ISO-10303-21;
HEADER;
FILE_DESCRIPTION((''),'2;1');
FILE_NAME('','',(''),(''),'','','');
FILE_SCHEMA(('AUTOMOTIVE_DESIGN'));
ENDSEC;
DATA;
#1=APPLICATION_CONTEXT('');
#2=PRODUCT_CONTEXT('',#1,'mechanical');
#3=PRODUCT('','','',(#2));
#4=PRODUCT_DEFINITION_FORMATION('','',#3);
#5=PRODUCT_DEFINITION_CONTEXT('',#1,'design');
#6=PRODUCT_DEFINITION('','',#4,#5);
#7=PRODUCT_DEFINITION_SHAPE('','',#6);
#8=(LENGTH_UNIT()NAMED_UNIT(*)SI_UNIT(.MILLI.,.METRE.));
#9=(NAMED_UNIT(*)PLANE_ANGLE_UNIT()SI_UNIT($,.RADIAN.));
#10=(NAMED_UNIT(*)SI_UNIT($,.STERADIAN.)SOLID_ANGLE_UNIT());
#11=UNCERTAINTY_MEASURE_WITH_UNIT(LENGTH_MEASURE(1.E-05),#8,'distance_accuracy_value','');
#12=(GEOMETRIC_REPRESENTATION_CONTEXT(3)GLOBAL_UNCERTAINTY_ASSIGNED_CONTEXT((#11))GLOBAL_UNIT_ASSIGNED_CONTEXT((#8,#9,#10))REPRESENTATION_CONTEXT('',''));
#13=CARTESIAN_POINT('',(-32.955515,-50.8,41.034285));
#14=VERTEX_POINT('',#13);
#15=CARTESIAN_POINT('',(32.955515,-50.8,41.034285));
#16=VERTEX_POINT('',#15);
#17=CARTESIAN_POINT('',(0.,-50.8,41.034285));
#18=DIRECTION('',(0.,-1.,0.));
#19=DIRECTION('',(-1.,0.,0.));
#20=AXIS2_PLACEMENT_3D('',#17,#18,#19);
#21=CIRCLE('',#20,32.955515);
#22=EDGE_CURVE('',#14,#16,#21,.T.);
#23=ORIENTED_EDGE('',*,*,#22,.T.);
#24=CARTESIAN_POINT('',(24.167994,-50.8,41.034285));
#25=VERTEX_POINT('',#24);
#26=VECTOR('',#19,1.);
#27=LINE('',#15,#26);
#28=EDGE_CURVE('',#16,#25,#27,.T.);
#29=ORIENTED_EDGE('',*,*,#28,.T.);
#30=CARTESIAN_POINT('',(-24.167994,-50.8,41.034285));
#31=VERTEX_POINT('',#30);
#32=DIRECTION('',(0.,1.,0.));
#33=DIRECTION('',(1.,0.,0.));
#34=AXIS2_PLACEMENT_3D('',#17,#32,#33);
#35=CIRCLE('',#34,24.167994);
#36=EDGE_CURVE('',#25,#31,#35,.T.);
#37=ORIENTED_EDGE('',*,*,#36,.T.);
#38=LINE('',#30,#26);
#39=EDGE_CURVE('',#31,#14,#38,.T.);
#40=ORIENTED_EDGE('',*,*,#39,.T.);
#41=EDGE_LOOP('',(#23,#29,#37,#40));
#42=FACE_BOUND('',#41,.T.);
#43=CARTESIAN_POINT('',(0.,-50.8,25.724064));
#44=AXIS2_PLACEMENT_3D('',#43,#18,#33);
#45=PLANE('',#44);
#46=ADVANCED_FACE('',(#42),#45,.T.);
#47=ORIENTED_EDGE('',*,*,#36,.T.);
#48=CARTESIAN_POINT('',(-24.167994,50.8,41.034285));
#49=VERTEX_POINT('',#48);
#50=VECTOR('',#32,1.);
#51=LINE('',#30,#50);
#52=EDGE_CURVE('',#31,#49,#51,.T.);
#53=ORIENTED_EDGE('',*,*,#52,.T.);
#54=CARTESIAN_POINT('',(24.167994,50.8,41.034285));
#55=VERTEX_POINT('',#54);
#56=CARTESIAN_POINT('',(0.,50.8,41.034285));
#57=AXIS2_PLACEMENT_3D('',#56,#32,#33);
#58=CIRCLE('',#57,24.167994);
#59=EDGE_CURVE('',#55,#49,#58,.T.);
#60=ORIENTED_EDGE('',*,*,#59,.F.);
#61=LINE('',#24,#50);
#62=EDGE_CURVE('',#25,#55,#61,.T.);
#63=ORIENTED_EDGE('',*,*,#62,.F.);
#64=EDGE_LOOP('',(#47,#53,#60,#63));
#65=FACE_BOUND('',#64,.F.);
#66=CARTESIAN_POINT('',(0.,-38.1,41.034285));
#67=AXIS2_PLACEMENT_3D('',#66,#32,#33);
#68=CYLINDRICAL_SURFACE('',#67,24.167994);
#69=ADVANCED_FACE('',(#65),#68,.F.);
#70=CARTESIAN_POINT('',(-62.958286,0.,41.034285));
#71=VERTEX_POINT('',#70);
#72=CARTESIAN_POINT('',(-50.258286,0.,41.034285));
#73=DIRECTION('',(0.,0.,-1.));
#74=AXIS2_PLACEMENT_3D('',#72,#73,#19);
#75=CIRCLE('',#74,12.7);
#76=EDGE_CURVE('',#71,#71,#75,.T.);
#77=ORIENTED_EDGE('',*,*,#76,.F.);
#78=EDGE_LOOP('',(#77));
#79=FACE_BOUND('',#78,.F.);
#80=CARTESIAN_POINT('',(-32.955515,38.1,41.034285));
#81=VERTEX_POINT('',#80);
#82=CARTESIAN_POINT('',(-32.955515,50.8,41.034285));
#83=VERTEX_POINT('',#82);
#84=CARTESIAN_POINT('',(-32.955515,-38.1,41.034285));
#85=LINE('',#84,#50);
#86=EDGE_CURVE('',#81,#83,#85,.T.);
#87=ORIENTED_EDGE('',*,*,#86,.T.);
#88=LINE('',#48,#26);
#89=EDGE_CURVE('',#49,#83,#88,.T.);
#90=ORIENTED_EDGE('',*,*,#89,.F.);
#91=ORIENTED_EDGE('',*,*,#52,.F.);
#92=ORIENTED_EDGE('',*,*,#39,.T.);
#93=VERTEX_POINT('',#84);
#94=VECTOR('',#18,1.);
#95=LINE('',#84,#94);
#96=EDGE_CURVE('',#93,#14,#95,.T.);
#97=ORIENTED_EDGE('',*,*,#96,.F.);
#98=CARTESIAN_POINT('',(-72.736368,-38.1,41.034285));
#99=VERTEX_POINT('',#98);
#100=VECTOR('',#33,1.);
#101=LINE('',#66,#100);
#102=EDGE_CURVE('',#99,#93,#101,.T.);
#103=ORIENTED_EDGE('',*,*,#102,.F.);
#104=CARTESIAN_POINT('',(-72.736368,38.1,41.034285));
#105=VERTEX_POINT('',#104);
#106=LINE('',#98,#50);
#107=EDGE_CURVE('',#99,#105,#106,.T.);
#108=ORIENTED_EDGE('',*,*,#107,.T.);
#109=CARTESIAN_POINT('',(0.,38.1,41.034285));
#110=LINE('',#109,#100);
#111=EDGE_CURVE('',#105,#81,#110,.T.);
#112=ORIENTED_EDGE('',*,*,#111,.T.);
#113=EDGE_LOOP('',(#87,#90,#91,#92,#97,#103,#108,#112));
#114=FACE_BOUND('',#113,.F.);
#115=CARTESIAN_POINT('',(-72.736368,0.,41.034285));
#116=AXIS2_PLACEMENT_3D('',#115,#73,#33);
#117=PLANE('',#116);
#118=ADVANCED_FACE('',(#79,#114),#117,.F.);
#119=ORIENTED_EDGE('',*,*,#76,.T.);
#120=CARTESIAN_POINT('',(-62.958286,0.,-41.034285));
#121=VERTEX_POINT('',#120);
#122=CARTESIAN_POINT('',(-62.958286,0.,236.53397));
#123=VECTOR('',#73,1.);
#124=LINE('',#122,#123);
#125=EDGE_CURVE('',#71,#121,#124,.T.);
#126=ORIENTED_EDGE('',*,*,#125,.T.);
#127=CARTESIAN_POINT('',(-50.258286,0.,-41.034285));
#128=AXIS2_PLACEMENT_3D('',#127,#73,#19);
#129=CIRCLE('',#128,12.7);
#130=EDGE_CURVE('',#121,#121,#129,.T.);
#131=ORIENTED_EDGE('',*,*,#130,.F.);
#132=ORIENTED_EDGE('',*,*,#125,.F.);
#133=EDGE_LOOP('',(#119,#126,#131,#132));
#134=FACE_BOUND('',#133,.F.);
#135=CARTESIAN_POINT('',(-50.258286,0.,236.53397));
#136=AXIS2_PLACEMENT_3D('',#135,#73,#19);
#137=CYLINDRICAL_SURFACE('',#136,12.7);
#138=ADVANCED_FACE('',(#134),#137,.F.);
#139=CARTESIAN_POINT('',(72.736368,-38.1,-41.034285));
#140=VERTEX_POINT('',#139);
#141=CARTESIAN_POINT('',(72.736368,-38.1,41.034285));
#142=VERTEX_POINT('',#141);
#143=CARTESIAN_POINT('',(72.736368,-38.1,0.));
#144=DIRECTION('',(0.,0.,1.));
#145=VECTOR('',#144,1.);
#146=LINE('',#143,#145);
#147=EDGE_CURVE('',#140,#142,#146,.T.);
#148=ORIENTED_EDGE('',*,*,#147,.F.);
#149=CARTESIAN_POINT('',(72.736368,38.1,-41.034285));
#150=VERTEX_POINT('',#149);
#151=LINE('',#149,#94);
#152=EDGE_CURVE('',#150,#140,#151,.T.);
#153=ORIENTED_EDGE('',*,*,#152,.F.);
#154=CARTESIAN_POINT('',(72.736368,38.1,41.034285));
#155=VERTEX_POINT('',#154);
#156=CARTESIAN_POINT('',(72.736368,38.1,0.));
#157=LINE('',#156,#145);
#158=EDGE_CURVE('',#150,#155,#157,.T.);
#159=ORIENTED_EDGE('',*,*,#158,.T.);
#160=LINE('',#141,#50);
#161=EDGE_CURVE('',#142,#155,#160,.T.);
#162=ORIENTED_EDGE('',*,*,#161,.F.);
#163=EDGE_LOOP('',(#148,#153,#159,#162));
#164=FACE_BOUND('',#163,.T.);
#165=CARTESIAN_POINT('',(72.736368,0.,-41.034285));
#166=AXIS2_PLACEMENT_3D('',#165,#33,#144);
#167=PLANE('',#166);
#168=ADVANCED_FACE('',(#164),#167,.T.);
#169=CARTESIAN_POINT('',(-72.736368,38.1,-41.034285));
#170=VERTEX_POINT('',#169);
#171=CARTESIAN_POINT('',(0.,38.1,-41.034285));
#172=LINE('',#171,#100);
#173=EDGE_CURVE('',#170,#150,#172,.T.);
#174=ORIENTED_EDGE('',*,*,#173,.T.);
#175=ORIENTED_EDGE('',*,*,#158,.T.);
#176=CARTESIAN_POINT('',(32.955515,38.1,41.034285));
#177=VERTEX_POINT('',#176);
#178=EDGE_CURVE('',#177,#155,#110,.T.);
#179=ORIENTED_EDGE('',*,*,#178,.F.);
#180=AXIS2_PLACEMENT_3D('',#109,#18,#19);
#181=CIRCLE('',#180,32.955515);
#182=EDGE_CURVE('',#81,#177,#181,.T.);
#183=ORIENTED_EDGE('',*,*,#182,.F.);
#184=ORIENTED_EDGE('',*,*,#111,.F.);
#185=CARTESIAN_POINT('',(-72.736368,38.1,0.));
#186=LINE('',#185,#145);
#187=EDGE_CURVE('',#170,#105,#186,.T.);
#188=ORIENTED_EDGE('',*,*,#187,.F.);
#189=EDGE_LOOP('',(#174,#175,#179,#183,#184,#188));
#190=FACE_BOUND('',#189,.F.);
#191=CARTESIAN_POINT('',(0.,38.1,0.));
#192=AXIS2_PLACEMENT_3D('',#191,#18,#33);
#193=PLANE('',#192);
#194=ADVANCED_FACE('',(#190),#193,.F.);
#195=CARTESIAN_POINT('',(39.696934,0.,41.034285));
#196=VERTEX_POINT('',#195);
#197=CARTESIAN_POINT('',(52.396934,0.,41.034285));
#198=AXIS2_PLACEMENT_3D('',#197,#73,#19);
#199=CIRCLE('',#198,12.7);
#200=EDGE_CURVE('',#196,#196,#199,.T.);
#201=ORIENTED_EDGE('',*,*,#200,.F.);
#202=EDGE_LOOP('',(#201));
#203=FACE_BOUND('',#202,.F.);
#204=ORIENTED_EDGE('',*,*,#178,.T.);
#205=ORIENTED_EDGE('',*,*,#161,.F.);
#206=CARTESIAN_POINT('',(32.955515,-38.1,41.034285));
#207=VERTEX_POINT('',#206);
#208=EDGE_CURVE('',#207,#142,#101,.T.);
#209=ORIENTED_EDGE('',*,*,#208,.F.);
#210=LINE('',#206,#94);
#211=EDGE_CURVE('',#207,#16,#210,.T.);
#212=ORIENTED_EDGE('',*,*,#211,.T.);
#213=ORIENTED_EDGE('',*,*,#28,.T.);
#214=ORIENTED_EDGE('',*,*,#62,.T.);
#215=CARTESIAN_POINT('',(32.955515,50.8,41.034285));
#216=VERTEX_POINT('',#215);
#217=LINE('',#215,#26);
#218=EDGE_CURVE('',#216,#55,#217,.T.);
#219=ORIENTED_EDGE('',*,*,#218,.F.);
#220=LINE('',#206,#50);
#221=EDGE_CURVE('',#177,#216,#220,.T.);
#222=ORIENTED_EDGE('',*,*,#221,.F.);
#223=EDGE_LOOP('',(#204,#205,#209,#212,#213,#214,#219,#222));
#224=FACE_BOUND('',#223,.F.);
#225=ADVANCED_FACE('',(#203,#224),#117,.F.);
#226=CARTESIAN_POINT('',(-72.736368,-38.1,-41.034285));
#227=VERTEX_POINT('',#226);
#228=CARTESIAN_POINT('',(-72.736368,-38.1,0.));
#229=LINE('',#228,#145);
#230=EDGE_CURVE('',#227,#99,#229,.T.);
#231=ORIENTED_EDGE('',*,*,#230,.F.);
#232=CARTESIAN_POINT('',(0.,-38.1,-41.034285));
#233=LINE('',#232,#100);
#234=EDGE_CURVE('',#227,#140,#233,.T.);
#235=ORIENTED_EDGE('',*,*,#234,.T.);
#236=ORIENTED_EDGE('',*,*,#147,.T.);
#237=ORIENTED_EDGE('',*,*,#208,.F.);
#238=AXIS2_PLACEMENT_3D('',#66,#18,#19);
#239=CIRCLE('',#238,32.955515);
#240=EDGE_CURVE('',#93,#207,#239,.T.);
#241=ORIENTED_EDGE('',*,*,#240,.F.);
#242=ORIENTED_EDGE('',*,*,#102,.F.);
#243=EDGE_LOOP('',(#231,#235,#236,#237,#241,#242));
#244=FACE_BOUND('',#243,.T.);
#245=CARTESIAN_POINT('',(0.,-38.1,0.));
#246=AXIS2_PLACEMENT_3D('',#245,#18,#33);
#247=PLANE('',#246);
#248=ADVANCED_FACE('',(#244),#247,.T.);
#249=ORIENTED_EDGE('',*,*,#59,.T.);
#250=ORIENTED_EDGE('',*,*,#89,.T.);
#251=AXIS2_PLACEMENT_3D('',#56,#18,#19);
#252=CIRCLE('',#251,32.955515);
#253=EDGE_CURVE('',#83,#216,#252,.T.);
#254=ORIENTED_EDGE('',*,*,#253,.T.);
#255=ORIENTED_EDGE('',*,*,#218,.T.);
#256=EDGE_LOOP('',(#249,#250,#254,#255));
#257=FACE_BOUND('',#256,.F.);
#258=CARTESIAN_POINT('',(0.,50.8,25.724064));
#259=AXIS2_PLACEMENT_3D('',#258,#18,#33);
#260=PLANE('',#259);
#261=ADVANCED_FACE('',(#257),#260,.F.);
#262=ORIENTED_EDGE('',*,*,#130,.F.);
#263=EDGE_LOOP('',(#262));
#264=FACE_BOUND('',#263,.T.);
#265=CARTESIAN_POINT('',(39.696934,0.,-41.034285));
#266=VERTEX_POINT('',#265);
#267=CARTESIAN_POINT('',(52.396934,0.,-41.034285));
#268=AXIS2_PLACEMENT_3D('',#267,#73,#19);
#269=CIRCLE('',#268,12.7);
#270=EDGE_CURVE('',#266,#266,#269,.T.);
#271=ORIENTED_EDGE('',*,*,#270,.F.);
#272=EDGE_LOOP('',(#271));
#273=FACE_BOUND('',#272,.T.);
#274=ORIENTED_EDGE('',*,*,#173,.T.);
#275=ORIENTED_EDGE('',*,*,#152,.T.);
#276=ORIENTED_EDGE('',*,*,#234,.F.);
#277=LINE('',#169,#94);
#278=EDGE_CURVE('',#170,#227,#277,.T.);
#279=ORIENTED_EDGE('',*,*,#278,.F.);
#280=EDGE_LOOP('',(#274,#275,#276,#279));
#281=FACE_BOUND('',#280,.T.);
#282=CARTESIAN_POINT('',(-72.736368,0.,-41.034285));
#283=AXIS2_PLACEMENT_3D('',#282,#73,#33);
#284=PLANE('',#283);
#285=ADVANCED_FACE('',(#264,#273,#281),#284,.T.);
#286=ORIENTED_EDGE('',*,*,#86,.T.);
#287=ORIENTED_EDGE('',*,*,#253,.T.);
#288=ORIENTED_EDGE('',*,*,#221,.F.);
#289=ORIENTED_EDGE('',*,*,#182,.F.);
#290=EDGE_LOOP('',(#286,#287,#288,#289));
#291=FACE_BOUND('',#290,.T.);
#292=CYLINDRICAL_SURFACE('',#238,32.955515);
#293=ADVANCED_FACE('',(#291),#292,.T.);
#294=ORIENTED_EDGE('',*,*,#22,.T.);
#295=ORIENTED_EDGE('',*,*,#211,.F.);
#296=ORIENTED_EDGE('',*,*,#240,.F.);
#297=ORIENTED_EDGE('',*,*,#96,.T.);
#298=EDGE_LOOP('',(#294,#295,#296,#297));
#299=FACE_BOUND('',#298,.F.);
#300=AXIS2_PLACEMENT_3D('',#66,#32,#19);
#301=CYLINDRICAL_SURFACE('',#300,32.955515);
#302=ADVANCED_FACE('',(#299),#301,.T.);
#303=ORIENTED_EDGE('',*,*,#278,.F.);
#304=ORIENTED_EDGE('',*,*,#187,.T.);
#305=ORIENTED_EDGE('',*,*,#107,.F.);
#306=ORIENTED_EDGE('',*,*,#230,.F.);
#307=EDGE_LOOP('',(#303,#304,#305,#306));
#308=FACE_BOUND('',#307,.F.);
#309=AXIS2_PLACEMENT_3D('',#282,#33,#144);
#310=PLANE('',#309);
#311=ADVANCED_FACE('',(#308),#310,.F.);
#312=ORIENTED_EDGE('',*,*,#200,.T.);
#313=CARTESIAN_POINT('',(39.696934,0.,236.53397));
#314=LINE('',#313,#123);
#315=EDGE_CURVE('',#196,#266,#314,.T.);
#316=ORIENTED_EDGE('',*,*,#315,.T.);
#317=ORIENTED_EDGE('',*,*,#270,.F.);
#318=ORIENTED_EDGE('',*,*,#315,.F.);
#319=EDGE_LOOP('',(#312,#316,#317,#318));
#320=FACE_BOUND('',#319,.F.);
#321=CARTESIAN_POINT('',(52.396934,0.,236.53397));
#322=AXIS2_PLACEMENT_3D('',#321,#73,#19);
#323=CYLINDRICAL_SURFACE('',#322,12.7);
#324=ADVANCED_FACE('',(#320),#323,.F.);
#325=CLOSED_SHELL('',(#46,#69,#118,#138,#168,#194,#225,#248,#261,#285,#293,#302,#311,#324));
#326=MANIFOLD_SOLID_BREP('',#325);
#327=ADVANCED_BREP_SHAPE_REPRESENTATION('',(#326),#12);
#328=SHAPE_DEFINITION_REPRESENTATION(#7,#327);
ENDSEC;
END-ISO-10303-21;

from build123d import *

# Parameters (mm, degrees)
F0_W          = 145.4727351665
F0_H          = 82.0685699582
F1_DEPTH      = 38.1
F3_DEPTH      = 12.7
F3_DEPTH_BACK = 88.9
F4_DEPTH      = 88.901
F6_D          = 25.4


with BuildPart() as f1:
    # F0 (on Front) → F1 (new body, symmetric)
    with BuildSketch(Plane.XZ):
        Rectangle(F0_W, F0_H)
    extrude(amount=F1_DEPTH, both=True)

    # F2 (on face) → F3 (join, two sides)
    with BuildSketch(Plane.XZ.offset(38.1)) as f3_sk:
        with BuildLine():
            Line((-24.1679944094, 41.0342849791), (-32.9555145721, 41.0342849791))
            ThreePointArc((-32.9555145721, 41.0342849791), (0, 8.078770407), (32.9555145721, 41.0342849791))
            Line((32.9555145721, 41.0342849791), (24.1679944094, 41.0342849791))
            ThreePointArc((24.1679944094, 41.0342849791), (0, 16.8662905697), (-24.1679944094, 41.0342849791))
        make_face()
    extrude(amount=F3_DEPTH)
    extrude(f3_sk.sketch, amount=-F3_DEPTH_BACK)

    # F4 (cut, through all): a face of the model
    f4_faces = [f1.faces().sort_by_distance(p)[0] for p in [
        (0, -38.1, 30.7770695794),
    ]]
    extrude(f4_faces, amount=-F4_DEPTH, mode=Mode.SUBTRACT)

    # F6 (through all)
    with Locations(Plane.XY.offset(41.0342849791)):
        with Locations((-50.2582862973, 0), (52.3969344795, 0)):
            Hole(F6_D / 2)


solid = f1.part
